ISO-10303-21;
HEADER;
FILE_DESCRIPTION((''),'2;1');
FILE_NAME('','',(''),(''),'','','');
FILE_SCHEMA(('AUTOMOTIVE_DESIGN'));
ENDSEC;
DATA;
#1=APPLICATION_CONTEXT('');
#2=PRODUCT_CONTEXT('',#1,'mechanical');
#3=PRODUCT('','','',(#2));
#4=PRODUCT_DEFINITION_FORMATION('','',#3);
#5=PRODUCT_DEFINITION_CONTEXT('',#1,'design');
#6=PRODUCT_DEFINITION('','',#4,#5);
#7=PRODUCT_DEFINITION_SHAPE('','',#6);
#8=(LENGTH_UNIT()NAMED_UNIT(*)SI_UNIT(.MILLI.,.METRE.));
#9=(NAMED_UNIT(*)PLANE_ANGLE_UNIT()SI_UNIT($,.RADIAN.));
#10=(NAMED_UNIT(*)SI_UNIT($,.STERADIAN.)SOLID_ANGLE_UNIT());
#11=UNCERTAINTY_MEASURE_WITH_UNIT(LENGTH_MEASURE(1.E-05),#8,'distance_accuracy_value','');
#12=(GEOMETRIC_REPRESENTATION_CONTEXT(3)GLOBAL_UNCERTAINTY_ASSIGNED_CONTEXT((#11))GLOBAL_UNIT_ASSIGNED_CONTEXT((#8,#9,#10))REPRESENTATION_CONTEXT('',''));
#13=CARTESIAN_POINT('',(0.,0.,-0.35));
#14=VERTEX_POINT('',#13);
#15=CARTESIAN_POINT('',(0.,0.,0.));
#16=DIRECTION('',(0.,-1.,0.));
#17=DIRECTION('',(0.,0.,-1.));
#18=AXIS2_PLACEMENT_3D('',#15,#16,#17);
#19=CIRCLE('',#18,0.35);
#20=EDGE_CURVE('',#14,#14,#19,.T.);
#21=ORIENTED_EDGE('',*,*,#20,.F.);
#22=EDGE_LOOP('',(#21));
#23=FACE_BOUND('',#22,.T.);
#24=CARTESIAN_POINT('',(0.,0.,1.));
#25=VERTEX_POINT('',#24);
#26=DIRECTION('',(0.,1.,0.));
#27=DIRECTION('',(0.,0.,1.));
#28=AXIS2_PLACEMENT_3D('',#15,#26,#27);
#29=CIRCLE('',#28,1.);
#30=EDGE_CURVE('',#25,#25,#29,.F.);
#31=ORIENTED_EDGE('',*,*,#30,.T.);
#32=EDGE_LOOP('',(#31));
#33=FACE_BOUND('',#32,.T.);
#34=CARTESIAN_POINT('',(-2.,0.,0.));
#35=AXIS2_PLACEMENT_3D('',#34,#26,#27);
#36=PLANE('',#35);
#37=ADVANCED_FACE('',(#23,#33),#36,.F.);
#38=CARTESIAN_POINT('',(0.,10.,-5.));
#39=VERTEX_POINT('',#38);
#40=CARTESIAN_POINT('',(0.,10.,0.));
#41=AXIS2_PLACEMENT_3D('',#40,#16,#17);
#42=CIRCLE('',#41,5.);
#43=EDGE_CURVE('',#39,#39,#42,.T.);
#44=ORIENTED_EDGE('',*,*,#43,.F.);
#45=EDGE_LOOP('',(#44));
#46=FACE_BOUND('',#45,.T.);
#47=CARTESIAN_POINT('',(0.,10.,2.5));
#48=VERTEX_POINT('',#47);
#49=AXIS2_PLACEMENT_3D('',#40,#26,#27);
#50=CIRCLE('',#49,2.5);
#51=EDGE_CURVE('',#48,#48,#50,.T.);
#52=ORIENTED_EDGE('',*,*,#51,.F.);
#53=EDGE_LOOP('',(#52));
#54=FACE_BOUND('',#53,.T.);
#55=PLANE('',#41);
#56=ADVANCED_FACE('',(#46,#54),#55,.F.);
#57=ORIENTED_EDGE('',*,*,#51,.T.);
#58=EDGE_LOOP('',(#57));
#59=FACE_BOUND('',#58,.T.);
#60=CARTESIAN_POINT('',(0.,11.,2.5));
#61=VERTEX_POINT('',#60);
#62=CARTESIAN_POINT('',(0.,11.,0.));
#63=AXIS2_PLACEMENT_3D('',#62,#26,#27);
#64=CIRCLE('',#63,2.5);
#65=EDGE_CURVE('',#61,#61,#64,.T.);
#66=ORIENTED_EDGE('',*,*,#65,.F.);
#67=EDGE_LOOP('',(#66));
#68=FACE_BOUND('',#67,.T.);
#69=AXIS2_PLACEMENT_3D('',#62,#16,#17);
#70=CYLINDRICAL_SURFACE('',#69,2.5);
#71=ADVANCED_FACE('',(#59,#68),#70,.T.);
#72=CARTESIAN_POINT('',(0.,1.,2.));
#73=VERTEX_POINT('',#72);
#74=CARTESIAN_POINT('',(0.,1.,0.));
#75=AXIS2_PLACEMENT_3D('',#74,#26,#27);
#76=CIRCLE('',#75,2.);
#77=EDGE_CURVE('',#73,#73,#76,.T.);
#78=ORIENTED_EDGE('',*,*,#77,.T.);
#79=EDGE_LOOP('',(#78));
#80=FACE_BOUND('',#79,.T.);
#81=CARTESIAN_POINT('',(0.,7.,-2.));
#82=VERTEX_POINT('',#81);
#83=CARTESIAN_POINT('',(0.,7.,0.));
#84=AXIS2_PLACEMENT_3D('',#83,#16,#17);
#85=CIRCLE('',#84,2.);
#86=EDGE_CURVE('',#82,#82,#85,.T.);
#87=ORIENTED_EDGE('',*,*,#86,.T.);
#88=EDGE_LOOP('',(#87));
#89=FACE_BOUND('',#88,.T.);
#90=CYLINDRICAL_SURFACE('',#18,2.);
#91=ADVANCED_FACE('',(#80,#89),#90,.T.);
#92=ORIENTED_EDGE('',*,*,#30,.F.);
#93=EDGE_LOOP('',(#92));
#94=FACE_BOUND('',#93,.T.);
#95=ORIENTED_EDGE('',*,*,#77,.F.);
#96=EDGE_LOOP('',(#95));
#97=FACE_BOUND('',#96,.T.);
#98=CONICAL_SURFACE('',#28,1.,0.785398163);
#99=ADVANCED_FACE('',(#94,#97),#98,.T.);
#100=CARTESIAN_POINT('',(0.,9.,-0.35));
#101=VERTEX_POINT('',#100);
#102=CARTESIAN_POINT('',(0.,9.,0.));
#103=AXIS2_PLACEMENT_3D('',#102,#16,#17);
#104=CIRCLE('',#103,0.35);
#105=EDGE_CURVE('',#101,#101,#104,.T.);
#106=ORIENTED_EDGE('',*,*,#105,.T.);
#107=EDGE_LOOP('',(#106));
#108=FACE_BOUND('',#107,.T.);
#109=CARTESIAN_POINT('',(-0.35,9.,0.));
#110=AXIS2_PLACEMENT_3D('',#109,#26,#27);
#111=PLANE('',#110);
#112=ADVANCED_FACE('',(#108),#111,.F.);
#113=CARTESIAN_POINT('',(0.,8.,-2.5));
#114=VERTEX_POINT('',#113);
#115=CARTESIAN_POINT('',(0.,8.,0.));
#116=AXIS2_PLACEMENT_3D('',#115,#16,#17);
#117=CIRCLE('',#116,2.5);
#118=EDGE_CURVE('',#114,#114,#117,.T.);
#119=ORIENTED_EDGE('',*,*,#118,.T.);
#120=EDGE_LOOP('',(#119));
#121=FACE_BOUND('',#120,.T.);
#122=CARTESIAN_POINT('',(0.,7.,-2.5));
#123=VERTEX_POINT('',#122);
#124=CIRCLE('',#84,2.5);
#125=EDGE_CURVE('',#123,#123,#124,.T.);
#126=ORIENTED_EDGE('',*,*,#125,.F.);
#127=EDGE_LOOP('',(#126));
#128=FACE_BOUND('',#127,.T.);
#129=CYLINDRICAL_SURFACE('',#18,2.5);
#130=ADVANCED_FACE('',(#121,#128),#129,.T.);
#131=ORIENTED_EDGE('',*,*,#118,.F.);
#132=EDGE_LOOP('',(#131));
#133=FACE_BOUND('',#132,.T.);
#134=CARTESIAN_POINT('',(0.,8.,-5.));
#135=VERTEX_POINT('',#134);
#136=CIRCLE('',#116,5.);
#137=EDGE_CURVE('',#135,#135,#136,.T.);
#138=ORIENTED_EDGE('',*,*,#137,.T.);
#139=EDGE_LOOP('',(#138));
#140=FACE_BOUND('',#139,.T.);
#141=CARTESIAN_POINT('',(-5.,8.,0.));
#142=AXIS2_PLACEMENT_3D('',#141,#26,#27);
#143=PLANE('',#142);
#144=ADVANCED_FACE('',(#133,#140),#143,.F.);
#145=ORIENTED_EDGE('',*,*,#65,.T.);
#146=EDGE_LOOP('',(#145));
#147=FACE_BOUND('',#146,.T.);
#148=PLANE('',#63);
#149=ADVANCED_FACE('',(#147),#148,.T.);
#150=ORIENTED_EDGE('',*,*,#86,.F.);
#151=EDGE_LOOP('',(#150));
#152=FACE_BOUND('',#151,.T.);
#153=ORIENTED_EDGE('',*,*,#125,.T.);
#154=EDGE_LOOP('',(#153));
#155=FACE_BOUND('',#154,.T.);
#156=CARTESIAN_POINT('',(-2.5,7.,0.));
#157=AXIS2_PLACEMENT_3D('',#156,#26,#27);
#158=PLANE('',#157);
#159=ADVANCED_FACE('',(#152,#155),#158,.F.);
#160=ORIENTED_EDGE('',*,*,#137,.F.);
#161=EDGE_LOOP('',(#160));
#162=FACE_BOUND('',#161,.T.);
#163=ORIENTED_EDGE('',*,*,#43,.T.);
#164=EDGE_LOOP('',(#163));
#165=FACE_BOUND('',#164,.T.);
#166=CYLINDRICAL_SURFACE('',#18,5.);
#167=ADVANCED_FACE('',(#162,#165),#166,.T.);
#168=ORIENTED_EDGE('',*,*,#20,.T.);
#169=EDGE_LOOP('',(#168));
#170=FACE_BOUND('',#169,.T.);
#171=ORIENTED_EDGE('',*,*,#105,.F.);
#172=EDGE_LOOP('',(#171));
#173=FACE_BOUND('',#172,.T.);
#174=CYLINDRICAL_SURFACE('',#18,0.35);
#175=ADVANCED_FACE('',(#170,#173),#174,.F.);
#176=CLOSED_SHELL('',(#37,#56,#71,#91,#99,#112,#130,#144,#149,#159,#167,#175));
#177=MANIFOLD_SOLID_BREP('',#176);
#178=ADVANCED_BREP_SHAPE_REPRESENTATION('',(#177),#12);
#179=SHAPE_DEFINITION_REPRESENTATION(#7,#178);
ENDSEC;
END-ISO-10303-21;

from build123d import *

# Parameters (mm, degrees)
CHAMFER1_SIZE       = 1
SKETCH2_R           = 2.5
BOSS_EXTRUDE1_DEPTH = 1


with BuildPart() as part:
    # Sketch1 → Revolve1 (revolve)
    with BuildSketch(Plane.XY, mode=Mode.PRIVATE) as revolve1_sk:
        Polygon((0, 10), (-5, 10), (-5, 8), (-2.5, 8), (-2.5, 7), (-2, 7), (-2, 0), (-0.35, 0), (-0.35, 9), (0, 9), align=None)
    revolve(revolve1_sk.sketch.rotate(Axis((0, 0, 0), (0, 1, 0)), 270), axis=Axis((0, 0, 0), (0, 1, 0)))

    # Chamfer1
    chamfer1_edges = [part.edges().sort_by_distance(p)[0] for p in [
        (0, 0, 2),
    ]]
    chamfer(chamfer1_edges, length=CHAMFER1_SIZE)

    # Sketch2 → Boss-Extrude1 (add)
    with BuildSketch(Plane(origin=(0, 10, 0), x_dir=(1, 0, 0), z_dir=(0, 1, 0))):
        with Locations(Location((0, 0, 0), (0, 0, 90))):
            Circle(SKETCH2_R)
    extrude(amount=BOSS_EXTRUDE1_DEPTH)


solid = part.part
